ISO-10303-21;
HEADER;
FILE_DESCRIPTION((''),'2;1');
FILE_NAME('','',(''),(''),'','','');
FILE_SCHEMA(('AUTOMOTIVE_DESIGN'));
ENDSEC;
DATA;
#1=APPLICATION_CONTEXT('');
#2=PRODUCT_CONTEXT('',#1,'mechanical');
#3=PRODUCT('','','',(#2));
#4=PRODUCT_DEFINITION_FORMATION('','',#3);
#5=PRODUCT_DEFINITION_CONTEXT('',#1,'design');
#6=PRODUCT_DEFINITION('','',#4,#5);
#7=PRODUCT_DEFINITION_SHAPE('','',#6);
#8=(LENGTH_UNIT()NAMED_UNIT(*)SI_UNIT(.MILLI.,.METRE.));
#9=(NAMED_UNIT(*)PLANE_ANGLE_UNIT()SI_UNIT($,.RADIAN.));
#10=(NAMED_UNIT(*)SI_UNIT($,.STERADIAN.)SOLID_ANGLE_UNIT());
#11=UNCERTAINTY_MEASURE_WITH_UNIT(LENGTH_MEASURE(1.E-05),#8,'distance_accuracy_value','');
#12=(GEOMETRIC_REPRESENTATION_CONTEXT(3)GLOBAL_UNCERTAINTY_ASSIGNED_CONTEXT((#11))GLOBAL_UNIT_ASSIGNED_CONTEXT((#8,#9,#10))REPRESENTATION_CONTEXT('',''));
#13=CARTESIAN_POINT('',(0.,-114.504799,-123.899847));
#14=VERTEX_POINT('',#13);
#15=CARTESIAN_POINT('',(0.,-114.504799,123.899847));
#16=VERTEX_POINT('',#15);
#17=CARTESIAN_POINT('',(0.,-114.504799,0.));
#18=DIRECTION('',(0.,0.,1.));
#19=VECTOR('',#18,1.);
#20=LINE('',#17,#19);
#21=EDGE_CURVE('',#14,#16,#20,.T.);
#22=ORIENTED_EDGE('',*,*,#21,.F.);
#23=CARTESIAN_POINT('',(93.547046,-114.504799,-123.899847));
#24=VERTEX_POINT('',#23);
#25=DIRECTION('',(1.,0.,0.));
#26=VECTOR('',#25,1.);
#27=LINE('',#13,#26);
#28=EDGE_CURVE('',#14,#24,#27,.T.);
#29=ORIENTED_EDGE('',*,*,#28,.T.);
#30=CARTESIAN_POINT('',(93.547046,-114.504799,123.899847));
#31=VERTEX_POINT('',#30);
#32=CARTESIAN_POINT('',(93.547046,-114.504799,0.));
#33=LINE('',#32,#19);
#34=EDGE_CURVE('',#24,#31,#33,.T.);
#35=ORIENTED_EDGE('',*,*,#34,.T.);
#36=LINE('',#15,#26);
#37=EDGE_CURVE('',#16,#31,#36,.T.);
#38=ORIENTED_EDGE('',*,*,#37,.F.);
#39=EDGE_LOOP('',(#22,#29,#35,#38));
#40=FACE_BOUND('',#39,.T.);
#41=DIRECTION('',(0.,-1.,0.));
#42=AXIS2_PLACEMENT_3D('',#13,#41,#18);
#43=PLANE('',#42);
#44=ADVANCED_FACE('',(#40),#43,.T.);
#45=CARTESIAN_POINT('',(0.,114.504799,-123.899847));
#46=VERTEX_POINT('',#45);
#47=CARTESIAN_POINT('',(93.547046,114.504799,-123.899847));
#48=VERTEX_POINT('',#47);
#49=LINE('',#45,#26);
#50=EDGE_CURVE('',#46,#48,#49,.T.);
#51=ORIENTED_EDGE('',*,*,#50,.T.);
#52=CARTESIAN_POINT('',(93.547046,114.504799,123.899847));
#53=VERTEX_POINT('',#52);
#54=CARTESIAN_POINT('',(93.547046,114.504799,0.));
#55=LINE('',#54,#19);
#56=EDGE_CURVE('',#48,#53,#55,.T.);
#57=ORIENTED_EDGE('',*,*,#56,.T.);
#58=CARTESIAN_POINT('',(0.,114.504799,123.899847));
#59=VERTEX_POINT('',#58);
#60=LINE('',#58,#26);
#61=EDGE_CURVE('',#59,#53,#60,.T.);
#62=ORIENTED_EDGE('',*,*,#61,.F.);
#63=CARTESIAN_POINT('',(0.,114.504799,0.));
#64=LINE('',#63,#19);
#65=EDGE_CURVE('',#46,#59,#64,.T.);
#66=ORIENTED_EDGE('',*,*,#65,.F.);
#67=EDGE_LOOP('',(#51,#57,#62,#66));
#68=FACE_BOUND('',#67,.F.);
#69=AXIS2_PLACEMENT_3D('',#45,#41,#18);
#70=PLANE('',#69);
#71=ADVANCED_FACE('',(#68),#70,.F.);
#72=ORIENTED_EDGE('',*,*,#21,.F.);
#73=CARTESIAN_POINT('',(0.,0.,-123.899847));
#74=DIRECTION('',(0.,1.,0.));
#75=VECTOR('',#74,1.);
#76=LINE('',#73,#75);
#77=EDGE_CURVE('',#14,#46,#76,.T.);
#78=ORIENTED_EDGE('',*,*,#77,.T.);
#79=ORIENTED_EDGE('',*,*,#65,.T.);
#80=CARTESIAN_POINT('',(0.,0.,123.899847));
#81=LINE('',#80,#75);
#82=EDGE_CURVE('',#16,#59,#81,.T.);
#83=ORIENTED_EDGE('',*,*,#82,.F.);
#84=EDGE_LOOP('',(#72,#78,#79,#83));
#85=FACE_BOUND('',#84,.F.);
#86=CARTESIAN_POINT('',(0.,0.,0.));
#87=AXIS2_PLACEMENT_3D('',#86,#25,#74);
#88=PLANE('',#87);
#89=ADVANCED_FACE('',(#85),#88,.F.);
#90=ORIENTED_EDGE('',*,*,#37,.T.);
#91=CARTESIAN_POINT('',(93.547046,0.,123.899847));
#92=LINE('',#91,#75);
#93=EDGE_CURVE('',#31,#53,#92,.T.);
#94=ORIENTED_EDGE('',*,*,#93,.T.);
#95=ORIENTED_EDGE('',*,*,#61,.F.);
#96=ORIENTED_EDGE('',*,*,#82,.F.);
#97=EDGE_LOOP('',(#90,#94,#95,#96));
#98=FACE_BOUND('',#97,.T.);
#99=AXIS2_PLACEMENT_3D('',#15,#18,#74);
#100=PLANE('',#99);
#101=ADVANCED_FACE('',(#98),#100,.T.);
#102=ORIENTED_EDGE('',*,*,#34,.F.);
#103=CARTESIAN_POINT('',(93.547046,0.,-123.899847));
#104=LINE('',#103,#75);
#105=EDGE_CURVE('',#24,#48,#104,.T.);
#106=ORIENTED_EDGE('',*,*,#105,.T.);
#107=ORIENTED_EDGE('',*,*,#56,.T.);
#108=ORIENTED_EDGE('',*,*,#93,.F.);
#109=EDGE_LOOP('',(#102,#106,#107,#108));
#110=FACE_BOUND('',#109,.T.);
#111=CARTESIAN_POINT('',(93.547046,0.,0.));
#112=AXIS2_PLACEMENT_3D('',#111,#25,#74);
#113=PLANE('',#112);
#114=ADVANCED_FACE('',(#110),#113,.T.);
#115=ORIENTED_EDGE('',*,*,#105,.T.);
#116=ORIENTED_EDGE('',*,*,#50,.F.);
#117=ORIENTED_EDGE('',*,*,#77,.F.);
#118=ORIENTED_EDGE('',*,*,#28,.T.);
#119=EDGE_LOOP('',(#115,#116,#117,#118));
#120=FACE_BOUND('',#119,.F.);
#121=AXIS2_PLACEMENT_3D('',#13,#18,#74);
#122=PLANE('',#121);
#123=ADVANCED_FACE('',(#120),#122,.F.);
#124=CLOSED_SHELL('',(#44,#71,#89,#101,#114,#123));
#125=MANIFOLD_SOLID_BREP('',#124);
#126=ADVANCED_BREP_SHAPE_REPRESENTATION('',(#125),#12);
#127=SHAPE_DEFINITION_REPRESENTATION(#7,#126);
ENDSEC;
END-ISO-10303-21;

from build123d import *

# Parameters (mm, degrees)
F1_W     = 229.009598
F1_H     = 247.799694
F2_DEPTH = 93.547046


with BuildPart() as f2:
    # F1 (on face) → F2 (new body)
    with BuildSketch(Plane.YZ):
        Rectangle(F1_W, F1_H)
    extrude(amount=F2_DEPTH)


solid = f2.part
